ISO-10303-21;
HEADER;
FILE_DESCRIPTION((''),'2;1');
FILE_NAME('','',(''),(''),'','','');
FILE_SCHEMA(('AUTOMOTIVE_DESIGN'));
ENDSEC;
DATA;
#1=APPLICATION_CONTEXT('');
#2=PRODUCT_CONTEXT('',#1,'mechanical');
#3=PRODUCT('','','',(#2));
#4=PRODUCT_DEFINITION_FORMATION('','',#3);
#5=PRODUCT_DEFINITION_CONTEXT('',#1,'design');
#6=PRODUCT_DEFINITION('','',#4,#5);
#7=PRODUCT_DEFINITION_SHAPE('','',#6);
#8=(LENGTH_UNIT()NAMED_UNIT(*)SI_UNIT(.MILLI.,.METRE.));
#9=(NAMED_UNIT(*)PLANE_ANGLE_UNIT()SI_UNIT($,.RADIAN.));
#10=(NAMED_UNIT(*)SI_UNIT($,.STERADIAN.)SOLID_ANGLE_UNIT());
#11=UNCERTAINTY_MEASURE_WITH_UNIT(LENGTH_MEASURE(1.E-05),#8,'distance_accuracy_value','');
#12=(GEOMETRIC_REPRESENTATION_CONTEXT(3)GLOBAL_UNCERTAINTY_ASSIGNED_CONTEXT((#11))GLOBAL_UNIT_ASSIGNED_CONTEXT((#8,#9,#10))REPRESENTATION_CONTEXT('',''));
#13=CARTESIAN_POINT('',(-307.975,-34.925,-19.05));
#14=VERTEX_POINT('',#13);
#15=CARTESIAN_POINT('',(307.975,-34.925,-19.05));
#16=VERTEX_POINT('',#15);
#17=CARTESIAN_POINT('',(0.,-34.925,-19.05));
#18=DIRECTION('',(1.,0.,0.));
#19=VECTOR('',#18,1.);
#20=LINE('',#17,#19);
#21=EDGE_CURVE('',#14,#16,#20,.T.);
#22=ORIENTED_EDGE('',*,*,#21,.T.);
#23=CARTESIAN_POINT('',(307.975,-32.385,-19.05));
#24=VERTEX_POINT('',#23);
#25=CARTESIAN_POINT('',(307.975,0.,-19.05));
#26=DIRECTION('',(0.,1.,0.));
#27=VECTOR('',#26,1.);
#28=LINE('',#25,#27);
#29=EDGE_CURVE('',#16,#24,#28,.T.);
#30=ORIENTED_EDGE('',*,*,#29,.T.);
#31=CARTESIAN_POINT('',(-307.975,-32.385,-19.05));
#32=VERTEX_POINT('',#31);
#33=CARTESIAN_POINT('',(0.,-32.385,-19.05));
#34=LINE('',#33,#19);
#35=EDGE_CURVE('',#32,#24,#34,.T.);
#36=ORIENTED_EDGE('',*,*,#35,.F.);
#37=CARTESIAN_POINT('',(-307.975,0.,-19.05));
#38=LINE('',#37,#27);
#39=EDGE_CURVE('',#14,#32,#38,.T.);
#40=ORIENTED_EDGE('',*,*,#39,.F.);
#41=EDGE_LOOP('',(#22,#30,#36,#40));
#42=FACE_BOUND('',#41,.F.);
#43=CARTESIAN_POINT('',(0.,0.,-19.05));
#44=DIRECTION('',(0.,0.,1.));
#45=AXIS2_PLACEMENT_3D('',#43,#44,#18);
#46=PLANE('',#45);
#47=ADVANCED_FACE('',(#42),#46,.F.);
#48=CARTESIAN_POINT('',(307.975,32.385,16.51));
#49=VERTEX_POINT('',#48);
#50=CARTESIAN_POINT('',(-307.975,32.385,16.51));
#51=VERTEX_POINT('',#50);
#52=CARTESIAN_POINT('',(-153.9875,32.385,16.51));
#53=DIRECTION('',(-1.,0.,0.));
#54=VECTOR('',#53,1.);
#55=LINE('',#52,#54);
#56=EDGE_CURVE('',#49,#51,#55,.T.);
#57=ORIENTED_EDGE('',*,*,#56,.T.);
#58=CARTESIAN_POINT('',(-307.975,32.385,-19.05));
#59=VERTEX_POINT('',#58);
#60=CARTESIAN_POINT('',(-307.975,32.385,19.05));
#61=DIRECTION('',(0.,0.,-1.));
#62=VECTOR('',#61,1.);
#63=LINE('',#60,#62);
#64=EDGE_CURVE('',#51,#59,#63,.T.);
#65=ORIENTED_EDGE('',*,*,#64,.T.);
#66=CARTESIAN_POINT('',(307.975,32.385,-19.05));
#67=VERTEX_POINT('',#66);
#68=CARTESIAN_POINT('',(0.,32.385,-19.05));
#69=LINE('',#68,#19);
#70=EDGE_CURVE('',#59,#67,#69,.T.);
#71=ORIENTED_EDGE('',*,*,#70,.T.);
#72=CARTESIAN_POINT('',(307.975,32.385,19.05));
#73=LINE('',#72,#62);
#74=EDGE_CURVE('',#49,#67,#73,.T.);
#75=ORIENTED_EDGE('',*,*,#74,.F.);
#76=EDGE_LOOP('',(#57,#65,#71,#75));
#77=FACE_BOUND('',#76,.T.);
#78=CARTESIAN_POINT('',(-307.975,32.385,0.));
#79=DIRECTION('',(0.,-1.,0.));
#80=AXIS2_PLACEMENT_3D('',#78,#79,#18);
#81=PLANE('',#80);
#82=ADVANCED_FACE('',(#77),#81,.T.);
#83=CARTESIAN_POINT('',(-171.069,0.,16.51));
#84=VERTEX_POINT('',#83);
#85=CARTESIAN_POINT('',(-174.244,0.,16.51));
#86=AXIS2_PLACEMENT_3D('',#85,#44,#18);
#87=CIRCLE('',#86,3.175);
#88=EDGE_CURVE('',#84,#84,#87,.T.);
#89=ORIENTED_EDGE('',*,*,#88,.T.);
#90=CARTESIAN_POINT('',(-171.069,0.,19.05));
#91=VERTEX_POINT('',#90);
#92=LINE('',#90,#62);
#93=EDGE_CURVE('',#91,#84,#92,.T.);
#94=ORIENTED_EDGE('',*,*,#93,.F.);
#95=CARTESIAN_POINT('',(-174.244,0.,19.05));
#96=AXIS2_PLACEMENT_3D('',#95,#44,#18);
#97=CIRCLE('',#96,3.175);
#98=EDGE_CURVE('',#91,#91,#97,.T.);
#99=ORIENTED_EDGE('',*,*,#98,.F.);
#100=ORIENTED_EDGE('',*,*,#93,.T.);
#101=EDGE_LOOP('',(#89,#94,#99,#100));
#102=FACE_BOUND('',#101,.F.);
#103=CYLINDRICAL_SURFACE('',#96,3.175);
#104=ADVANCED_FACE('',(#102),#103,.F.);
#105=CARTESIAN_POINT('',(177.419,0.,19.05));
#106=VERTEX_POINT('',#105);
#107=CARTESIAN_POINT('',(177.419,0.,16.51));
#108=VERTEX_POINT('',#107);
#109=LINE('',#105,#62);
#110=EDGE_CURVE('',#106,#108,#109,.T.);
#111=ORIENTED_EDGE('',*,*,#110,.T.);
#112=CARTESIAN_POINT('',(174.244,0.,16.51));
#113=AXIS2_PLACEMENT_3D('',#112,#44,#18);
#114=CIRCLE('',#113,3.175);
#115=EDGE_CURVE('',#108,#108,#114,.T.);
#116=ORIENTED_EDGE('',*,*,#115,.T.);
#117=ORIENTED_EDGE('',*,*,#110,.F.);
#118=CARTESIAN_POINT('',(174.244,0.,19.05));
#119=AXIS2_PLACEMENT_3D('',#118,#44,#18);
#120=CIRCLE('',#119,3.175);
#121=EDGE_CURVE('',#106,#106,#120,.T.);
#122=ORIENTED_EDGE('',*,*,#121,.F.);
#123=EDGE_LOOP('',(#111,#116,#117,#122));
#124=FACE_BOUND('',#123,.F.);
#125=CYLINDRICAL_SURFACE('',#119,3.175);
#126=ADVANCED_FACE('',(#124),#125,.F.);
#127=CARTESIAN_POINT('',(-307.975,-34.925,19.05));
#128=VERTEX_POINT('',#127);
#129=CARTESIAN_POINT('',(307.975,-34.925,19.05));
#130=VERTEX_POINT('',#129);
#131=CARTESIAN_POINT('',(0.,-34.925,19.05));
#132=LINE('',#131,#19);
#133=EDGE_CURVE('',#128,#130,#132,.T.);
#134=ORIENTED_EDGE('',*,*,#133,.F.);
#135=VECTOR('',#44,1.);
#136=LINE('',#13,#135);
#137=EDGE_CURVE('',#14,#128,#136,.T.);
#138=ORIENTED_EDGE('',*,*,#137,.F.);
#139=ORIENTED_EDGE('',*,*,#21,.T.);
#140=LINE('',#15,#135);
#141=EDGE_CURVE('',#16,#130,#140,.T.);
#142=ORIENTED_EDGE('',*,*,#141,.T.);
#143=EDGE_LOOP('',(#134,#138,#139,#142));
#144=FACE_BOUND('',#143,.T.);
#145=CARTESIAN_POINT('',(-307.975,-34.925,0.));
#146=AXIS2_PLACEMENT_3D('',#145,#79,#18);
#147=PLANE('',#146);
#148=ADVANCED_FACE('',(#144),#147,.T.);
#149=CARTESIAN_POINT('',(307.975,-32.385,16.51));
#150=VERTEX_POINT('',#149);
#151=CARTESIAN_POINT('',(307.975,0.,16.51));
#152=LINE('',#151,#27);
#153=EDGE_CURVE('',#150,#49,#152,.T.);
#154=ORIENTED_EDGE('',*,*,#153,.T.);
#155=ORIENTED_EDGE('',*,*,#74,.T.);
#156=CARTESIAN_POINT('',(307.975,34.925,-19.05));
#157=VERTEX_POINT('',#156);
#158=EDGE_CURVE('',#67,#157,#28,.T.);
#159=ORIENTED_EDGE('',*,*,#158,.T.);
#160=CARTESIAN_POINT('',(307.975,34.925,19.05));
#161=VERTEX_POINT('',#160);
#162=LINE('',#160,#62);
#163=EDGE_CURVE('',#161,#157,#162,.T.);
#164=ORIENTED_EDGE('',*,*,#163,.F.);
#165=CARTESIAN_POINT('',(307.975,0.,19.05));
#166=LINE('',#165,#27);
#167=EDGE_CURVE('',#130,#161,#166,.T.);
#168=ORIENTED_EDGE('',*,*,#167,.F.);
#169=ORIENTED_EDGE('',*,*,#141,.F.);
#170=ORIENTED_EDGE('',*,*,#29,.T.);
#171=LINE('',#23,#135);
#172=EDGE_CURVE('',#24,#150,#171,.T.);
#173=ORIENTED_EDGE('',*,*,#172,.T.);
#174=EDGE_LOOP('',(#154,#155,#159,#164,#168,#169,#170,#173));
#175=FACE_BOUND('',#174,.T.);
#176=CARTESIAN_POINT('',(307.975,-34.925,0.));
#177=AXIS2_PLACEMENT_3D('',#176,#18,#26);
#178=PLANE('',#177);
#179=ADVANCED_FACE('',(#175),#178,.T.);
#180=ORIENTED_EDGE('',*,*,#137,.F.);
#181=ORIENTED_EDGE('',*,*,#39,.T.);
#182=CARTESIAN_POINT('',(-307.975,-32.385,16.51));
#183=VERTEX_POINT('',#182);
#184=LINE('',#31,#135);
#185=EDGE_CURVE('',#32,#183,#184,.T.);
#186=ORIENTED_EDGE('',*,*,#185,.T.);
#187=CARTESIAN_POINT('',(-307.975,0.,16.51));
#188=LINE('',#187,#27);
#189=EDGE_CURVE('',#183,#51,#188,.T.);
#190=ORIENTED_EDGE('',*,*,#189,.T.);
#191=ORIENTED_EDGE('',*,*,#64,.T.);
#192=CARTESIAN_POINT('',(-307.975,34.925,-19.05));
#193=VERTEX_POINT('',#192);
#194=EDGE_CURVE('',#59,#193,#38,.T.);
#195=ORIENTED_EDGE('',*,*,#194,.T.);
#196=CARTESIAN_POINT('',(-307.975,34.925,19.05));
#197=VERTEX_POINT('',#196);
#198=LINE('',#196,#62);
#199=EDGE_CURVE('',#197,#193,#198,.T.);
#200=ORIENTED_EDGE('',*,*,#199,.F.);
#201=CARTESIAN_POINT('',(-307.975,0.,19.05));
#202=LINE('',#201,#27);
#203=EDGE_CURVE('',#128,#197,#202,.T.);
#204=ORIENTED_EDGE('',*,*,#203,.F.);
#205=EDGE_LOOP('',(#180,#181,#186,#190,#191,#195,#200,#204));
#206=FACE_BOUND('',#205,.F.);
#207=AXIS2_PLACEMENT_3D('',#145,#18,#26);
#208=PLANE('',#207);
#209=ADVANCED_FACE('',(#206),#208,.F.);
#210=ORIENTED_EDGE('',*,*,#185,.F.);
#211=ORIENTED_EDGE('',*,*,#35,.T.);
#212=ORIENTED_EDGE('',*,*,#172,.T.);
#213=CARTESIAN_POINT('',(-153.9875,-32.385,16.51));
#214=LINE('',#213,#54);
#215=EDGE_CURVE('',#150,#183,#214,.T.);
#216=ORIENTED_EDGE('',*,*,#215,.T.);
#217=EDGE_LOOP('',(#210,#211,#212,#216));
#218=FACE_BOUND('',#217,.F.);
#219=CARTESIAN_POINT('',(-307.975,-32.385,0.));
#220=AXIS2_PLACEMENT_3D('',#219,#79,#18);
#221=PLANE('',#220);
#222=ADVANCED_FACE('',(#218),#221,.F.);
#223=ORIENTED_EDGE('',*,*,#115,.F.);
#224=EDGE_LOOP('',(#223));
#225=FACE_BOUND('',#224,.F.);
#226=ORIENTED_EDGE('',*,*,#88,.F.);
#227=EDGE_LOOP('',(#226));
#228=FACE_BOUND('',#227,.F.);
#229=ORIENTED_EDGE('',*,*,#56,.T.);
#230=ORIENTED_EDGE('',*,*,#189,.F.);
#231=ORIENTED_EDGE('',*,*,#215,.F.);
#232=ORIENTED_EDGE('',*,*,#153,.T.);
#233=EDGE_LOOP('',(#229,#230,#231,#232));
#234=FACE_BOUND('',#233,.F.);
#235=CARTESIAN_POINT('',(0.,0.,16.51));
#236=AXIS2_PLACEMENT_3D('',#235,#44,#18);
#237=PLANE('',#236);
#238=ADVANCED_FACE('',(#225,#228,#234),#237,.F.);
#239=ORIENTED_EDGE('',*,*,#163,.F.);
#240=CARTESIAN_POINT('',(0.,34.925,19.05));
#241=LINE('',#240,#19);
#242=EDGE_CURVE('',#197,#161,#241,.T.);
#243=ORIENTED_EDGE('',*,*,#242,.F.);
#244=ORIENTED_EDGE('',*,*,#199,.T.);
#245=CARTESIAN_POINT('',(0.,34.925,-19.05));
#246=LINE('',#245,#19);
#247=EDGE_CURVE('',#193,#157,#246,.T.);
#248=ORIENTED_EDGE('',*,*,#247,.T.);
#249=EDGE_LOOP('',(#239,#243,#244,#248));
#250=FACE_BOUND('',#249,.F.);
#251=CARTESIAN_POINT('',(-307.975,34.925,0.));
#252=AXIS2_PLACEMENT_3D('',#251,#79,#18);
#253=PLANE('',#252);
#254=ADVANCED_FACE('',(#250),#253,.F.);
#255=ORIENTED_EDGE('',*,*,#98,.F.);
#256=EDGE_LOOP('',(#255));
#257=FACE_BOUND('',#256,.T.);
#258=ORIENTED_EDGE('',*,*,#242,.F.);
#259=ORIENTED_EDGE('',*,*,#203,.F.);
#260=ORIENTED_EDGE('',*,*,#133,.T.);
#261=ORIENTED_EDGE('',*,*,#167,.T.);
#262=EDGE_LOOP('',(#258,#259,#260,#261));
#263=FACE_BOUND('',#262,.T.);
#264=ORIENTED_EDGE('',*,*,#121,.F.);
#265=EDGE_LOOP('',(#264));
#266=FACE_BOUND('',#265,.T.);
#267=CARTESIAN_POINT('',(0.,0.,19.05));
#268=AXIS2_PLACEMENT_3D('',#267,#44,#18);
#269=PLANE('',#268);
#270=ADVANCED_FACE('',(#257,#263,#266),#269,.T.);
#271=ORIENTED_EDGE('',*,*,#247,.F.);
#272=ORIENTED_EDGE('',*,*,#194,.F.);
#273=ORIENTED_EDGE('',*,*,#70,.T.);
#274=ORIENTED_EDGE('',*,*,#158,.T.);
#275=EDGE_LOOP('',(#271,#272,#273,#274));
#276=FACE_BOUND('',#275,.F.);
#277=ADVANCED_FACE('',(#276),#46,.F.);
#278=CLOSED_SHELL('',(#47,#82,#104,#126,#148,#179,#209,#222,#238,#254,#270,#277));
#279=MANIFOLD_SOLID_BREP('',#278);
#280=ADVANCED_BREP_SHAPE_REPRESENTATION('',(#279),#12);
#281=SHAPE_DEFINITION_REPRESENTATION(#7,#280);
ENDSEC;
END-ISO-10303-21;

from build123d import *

# Parameters (mm, degrees)
F0_W     = 615.95
F0_H     = 69.85
F1_DEPTH = 19.05
F2_T     = -2.54
F3_R     = 3.175
F4_DEPTH = 38.101


with BuildPart() as f1:
    # F0 (on Top) → F1 (new body, symmetric)
    with BuildSketch(Plane.XY):
        Rectangle(F0_W, F0_H)
    extrude(amount=F1_DEPTH, both=True)

    # F2
    f2_openings = [f1.faces().sort_by_distance(p)[0] for p in [
        (0, 0, -19.05),
        (307.975, 0, 0),
        (-307.975, 0, 0),
    ]]
    offset(amount=F2_T, openings=f2_openings)

    # F3 (on face) → F4 (cut, through all)
    with BuildSketch(Plane.XY.offset(19.05)):
        with Locations((-174.244, 0)):
            Circle(F3_R)
        with Locations((174.244, 0)):
            Circle(F3_R)
    extrude(amount=-F4_DEPTH, mode=Mode.SUBTRACT)


solid = f1.part
